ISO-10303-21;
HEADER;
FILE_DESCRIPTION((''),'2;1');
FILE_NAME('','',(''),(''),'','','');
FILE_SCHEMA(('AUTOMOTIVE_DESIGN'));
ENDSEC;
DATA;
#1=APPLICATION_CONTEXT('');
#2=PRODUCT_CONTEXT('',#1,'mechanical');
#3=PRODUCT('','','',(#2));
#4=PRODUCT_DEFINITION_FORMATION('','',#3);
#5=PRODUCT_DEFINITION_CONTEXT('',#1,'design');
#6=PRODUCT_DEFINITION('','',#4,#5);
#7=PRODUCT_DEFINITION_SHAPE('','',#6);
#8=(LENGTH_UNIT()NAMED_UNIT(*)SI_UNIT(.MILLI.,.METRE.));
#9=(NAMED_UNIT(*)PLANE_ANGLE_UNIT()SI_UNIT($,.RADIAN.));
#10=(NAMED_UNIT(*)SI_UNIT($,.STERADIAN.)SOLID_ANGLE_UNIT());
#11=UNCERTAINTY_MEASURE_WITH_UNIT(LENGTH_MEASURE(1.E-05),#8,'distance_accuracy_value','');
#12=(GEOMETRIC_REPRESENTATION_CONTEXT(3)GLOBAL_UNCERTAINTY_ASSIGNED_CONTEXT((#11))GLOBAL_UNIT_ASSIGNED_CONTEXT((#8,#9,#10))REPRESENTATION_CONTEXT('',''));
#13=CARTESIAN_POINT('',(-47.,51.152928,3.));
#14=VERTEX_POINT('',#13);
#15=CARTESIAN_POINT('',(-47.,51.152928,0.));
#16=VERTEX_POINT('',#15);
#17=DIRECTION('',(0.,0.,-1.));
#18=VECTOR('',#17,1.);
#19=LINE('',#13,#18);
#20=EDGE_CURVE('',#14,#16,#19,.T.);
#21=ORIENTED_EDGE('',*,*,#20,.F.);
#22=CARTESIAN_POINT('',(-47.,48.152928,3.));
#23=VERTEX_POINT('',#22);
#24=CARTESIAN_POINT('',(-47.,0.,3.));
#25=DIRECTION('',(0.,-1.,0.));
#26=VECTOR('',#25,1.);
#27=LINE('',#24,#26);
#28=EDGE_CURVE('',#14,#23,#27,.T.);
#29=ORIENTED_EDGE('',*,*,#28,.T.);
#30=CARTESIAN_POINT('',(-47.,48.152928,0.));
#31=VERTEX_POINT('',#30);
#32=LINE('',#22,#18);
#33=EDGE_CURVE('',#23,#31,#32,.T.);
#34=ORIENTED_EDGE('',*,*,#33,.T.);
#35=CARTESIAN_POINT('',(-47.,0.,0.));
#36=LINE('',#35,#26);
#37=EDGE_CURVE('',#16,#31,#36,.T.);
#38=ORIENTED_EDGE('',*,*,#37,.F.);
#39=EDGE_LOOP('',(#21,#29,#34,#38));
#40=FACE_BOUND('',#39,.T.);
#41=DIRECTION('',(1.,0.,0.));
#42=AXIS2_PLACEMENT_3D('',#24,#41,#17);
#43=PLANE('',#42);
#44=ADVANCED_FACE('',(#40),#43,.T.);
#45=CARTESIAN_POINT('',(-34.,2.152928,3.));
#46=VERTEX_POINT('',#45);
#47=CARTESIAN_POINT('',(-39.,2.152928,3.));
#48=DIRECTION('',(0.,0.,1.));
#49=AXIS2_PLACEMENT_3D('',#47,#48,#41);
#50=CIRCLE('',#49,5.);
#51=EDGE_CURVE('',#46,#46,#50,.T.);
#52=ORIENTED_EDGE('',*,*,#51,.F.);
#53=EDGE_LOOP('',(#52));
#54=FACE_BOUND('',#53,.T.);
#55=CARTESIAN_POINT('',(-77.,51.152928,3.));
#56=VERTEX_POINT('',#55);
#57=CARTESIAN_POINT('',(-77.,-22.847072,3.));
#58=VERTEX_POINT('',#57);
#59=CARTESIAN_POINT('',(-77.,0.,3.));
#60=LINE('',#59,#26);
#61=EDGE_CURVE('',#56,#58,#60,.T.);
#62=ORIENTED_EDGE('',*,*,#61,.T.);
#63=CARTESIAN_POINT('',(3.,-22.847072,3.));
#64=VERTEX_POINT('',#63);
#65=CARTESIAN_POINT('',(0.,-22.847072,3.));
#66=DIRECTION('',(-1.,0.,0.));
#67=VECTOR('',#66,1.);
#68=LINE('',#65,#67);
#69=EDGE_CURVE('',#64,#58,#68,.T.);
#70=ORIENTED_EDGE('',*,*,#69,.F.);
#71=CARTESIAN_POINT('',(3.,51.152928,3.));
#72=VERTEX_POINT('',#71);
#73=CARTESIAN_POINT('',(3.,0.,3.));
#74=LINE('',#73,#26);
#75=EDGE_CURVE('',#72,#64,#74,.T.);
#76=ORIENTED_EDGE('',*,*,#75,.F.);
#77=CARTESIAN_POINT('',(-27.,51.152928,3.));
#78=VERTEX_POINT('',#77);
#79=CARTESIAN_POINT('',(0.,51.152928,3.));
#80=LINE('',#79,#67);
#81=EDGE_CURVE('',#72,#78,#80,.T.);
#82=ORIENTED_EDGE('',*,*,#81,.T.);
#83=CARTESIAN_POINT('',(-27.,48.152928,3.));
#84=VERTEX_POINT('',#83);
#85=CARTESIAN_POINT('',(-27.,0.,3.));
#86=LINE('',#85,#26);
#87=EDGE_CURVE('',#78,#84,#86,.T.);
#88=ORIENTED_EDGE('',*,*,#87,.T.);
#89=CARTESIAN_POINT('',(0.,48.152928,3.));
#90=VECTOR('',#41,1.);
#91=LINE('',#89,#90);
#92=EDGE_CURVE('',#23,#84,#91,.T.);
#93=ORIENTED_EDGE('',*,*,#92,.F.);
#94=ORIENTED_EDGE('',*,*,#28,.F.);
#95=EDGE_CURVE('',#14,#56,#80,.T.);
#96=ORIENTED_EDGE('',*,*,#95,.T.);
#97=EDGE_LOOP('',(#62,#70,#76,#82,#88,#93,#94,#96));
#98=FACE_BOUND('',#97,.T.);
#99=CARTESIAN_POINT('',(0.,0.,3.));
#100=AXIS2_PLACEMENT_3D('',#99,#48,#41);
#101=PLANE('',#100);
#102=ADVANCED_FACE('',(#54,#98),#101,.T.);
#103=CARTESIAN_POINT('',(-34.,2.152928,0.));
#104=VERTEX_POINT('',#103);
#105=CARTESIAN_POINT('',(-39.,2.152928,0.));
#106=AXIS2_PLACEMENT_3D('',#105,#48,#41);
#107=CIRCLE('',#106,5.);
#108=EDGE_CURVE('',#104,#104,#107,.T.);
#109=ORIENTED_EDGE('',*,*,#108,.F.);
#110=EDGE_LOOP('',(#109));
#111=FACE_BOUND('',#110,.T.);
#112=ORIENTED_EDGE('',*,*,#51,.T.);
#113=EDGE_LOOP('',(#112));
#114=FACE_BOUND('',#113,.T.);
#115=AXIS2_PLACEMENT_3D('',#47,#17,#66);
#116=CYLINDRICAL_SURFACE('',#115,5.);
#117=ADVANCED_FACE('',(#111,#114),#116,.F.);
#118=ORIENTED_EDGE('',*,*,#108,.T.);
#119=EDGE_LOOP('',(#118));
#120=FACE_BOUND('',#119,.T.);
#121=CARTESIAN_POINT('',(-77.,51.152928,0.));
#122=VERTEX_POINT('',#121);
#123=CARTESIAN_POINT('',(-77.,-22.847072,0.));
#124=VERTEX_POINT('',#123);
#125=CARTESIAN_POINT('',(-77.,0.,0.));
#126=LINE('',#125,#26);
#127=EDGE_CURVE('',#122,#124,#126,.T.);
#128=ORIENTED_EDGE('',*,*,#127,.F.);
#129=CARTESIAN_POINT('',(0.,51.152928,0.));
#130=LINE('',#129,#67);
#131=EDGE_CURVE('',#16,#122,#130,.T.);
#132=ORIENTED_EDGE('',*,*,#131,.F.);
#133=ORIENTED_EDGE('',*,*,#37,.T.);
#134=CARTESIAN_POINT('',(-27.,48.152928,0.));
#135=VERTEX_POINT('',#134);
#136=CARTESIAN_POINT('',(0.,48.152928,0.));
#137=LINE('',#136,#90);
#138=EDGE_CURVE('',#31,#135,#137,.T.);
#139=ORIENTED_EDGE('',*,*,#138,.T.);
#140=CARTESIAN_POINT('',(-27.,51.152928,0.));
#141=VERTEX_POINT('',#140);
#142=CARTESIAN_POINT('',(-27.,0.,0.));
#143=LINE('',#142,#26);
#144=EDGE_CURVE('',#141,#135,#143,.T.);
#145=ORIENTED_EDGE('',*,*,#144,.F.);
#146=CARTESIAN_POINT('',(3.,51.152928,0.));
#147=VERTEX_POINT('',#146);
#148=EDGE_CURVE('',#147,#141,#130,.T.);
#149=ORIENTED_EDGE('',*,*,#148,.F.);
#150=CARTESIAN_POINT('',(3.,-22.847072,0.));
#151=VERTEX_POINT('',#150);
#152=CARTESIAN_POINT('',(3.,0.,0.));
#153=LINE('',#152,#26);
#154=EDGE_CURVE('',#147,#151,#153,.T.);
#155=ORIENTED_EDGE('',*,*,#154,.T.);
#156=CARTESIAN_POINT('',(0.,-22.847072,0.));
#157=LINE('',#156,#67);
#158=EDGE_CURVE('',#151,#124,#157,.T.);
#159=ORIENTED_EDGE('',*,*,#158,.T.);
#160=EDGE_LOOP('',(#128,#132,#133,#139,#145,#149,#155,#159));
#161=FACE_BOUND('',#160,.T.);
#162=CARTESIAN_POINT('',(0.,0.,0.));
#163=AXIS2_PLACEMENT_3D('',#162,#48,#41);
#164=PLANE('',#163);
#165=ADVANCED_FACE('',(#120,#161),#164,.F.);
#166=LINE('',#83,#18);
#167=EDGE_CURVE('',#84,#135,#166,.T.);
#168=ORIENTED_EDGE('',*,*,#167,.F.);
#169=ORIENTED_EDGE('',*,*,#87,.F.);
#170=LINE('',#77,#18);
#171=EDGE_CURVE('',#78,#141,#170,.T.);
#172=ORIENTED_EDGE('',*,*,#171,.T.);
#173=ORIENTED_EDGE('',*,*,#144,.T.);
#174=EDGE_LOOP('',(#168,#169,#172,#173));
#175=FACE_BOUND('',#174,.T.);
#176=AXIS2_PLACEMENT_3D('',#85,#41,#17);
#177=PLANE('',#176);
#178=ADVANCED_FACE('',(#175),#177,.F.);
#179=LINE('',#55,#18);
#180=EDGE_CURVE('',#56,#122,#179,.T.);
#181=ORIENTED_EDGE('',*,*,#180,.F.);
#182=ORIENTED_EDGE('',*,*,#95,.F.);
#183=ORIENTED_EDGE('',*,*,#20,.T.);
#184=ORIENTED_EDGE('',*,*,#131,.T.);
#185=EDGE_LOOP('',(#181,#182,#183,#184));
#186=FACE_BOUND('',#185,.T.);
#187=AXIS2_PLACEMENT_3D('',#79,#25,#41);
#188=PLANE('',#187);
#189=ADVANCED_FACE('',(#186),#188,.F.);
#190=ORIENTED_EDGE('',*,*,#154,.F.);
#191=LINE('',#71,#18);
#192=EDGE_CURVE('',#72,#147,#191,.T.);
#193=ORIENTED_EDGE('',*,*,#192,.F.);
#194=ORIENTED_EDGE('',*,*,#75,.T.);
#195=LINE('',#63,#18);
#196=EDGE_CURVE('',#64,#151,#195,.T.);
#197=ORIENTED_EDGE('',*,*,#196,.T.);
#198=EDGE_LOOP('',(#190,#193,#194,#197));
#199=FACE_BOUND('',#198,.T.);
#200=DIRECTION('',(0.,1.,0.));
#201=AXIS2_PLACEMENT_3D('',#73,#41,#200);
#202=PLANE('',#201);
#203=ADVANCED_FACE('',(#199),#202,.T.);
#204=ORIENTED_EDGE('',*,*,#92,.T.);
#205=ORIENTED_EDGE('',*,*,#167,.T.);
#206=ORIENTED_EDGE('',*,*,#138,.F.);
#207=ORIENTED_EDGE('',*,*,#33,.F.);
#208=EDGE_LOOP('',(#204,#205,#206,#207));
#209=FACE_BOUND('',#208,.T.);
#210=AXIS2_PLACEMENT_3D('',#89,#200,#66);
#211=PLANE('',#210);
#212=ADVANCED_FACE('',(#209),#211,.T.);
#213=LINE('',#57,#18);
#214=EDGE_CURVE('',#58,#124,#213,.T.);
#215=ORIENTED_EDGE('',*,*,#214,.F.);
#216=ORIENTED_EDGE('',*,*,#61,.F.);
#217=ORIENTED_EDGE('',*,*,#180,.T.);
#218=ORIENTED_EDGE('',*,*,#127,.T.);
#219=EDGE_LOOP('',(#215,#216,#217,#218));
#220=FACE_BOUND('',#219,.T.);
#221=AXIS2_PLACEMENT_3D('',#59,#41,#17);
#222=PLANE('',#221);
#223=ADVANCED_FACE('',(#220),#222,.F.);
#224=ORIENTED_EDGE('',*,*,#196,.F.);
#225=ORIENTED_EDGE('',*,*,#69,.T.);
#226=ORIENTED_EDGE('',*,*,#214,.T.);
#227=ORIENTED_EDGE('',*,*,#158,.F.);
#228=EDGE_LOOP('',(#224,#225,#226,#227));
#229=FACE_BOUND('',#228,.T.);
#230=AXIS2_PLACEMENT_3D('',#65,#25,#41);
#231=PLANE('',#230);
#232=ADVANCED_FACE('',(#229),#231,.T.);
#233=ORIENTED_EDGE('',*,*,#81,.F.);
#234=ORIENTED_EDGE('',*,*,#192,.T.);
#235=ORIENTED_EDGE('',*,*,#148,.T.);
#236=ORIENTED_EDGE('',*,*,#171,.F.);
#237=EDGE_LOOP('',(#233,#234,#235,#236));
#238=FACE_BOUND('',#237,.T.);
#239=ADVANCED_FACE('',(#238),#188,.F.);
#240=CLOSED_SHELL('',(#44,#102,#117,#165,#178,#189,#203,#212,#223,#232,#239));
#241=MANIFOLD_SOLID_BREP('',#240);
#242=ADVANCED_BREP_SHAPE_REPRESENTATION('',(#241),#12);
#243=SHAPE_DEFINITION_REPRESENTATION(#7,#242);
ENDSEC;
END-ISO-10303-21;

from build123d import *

# Parameters (mm, degrees)
ESBO_O2_R                = 5
RESSALTO_EXTRUS_O1_DEPTH = 3


with BuildPart() as part:
    # Esboço2 → Ressalto-extrusão1 (new body)
    with BuildSketch(Plane.XY):
        Polygon((3, -22.847071625), (3, 51.152928375), (-27, 51.152928375), (-27, 48.152928375), (-47, 48.152928375), (-47, 51.152928375), (-77, 51.152928375), (-77, -22.847071625), align=None)
        with Locations((-39, 2.152928375)):
            Circle(ESBO_O2_R, mode=Mode.SUBTRACT)
    extrude(amount=RESSALTO_EXTRUS_O1_DEPTH)


solid = part.part
